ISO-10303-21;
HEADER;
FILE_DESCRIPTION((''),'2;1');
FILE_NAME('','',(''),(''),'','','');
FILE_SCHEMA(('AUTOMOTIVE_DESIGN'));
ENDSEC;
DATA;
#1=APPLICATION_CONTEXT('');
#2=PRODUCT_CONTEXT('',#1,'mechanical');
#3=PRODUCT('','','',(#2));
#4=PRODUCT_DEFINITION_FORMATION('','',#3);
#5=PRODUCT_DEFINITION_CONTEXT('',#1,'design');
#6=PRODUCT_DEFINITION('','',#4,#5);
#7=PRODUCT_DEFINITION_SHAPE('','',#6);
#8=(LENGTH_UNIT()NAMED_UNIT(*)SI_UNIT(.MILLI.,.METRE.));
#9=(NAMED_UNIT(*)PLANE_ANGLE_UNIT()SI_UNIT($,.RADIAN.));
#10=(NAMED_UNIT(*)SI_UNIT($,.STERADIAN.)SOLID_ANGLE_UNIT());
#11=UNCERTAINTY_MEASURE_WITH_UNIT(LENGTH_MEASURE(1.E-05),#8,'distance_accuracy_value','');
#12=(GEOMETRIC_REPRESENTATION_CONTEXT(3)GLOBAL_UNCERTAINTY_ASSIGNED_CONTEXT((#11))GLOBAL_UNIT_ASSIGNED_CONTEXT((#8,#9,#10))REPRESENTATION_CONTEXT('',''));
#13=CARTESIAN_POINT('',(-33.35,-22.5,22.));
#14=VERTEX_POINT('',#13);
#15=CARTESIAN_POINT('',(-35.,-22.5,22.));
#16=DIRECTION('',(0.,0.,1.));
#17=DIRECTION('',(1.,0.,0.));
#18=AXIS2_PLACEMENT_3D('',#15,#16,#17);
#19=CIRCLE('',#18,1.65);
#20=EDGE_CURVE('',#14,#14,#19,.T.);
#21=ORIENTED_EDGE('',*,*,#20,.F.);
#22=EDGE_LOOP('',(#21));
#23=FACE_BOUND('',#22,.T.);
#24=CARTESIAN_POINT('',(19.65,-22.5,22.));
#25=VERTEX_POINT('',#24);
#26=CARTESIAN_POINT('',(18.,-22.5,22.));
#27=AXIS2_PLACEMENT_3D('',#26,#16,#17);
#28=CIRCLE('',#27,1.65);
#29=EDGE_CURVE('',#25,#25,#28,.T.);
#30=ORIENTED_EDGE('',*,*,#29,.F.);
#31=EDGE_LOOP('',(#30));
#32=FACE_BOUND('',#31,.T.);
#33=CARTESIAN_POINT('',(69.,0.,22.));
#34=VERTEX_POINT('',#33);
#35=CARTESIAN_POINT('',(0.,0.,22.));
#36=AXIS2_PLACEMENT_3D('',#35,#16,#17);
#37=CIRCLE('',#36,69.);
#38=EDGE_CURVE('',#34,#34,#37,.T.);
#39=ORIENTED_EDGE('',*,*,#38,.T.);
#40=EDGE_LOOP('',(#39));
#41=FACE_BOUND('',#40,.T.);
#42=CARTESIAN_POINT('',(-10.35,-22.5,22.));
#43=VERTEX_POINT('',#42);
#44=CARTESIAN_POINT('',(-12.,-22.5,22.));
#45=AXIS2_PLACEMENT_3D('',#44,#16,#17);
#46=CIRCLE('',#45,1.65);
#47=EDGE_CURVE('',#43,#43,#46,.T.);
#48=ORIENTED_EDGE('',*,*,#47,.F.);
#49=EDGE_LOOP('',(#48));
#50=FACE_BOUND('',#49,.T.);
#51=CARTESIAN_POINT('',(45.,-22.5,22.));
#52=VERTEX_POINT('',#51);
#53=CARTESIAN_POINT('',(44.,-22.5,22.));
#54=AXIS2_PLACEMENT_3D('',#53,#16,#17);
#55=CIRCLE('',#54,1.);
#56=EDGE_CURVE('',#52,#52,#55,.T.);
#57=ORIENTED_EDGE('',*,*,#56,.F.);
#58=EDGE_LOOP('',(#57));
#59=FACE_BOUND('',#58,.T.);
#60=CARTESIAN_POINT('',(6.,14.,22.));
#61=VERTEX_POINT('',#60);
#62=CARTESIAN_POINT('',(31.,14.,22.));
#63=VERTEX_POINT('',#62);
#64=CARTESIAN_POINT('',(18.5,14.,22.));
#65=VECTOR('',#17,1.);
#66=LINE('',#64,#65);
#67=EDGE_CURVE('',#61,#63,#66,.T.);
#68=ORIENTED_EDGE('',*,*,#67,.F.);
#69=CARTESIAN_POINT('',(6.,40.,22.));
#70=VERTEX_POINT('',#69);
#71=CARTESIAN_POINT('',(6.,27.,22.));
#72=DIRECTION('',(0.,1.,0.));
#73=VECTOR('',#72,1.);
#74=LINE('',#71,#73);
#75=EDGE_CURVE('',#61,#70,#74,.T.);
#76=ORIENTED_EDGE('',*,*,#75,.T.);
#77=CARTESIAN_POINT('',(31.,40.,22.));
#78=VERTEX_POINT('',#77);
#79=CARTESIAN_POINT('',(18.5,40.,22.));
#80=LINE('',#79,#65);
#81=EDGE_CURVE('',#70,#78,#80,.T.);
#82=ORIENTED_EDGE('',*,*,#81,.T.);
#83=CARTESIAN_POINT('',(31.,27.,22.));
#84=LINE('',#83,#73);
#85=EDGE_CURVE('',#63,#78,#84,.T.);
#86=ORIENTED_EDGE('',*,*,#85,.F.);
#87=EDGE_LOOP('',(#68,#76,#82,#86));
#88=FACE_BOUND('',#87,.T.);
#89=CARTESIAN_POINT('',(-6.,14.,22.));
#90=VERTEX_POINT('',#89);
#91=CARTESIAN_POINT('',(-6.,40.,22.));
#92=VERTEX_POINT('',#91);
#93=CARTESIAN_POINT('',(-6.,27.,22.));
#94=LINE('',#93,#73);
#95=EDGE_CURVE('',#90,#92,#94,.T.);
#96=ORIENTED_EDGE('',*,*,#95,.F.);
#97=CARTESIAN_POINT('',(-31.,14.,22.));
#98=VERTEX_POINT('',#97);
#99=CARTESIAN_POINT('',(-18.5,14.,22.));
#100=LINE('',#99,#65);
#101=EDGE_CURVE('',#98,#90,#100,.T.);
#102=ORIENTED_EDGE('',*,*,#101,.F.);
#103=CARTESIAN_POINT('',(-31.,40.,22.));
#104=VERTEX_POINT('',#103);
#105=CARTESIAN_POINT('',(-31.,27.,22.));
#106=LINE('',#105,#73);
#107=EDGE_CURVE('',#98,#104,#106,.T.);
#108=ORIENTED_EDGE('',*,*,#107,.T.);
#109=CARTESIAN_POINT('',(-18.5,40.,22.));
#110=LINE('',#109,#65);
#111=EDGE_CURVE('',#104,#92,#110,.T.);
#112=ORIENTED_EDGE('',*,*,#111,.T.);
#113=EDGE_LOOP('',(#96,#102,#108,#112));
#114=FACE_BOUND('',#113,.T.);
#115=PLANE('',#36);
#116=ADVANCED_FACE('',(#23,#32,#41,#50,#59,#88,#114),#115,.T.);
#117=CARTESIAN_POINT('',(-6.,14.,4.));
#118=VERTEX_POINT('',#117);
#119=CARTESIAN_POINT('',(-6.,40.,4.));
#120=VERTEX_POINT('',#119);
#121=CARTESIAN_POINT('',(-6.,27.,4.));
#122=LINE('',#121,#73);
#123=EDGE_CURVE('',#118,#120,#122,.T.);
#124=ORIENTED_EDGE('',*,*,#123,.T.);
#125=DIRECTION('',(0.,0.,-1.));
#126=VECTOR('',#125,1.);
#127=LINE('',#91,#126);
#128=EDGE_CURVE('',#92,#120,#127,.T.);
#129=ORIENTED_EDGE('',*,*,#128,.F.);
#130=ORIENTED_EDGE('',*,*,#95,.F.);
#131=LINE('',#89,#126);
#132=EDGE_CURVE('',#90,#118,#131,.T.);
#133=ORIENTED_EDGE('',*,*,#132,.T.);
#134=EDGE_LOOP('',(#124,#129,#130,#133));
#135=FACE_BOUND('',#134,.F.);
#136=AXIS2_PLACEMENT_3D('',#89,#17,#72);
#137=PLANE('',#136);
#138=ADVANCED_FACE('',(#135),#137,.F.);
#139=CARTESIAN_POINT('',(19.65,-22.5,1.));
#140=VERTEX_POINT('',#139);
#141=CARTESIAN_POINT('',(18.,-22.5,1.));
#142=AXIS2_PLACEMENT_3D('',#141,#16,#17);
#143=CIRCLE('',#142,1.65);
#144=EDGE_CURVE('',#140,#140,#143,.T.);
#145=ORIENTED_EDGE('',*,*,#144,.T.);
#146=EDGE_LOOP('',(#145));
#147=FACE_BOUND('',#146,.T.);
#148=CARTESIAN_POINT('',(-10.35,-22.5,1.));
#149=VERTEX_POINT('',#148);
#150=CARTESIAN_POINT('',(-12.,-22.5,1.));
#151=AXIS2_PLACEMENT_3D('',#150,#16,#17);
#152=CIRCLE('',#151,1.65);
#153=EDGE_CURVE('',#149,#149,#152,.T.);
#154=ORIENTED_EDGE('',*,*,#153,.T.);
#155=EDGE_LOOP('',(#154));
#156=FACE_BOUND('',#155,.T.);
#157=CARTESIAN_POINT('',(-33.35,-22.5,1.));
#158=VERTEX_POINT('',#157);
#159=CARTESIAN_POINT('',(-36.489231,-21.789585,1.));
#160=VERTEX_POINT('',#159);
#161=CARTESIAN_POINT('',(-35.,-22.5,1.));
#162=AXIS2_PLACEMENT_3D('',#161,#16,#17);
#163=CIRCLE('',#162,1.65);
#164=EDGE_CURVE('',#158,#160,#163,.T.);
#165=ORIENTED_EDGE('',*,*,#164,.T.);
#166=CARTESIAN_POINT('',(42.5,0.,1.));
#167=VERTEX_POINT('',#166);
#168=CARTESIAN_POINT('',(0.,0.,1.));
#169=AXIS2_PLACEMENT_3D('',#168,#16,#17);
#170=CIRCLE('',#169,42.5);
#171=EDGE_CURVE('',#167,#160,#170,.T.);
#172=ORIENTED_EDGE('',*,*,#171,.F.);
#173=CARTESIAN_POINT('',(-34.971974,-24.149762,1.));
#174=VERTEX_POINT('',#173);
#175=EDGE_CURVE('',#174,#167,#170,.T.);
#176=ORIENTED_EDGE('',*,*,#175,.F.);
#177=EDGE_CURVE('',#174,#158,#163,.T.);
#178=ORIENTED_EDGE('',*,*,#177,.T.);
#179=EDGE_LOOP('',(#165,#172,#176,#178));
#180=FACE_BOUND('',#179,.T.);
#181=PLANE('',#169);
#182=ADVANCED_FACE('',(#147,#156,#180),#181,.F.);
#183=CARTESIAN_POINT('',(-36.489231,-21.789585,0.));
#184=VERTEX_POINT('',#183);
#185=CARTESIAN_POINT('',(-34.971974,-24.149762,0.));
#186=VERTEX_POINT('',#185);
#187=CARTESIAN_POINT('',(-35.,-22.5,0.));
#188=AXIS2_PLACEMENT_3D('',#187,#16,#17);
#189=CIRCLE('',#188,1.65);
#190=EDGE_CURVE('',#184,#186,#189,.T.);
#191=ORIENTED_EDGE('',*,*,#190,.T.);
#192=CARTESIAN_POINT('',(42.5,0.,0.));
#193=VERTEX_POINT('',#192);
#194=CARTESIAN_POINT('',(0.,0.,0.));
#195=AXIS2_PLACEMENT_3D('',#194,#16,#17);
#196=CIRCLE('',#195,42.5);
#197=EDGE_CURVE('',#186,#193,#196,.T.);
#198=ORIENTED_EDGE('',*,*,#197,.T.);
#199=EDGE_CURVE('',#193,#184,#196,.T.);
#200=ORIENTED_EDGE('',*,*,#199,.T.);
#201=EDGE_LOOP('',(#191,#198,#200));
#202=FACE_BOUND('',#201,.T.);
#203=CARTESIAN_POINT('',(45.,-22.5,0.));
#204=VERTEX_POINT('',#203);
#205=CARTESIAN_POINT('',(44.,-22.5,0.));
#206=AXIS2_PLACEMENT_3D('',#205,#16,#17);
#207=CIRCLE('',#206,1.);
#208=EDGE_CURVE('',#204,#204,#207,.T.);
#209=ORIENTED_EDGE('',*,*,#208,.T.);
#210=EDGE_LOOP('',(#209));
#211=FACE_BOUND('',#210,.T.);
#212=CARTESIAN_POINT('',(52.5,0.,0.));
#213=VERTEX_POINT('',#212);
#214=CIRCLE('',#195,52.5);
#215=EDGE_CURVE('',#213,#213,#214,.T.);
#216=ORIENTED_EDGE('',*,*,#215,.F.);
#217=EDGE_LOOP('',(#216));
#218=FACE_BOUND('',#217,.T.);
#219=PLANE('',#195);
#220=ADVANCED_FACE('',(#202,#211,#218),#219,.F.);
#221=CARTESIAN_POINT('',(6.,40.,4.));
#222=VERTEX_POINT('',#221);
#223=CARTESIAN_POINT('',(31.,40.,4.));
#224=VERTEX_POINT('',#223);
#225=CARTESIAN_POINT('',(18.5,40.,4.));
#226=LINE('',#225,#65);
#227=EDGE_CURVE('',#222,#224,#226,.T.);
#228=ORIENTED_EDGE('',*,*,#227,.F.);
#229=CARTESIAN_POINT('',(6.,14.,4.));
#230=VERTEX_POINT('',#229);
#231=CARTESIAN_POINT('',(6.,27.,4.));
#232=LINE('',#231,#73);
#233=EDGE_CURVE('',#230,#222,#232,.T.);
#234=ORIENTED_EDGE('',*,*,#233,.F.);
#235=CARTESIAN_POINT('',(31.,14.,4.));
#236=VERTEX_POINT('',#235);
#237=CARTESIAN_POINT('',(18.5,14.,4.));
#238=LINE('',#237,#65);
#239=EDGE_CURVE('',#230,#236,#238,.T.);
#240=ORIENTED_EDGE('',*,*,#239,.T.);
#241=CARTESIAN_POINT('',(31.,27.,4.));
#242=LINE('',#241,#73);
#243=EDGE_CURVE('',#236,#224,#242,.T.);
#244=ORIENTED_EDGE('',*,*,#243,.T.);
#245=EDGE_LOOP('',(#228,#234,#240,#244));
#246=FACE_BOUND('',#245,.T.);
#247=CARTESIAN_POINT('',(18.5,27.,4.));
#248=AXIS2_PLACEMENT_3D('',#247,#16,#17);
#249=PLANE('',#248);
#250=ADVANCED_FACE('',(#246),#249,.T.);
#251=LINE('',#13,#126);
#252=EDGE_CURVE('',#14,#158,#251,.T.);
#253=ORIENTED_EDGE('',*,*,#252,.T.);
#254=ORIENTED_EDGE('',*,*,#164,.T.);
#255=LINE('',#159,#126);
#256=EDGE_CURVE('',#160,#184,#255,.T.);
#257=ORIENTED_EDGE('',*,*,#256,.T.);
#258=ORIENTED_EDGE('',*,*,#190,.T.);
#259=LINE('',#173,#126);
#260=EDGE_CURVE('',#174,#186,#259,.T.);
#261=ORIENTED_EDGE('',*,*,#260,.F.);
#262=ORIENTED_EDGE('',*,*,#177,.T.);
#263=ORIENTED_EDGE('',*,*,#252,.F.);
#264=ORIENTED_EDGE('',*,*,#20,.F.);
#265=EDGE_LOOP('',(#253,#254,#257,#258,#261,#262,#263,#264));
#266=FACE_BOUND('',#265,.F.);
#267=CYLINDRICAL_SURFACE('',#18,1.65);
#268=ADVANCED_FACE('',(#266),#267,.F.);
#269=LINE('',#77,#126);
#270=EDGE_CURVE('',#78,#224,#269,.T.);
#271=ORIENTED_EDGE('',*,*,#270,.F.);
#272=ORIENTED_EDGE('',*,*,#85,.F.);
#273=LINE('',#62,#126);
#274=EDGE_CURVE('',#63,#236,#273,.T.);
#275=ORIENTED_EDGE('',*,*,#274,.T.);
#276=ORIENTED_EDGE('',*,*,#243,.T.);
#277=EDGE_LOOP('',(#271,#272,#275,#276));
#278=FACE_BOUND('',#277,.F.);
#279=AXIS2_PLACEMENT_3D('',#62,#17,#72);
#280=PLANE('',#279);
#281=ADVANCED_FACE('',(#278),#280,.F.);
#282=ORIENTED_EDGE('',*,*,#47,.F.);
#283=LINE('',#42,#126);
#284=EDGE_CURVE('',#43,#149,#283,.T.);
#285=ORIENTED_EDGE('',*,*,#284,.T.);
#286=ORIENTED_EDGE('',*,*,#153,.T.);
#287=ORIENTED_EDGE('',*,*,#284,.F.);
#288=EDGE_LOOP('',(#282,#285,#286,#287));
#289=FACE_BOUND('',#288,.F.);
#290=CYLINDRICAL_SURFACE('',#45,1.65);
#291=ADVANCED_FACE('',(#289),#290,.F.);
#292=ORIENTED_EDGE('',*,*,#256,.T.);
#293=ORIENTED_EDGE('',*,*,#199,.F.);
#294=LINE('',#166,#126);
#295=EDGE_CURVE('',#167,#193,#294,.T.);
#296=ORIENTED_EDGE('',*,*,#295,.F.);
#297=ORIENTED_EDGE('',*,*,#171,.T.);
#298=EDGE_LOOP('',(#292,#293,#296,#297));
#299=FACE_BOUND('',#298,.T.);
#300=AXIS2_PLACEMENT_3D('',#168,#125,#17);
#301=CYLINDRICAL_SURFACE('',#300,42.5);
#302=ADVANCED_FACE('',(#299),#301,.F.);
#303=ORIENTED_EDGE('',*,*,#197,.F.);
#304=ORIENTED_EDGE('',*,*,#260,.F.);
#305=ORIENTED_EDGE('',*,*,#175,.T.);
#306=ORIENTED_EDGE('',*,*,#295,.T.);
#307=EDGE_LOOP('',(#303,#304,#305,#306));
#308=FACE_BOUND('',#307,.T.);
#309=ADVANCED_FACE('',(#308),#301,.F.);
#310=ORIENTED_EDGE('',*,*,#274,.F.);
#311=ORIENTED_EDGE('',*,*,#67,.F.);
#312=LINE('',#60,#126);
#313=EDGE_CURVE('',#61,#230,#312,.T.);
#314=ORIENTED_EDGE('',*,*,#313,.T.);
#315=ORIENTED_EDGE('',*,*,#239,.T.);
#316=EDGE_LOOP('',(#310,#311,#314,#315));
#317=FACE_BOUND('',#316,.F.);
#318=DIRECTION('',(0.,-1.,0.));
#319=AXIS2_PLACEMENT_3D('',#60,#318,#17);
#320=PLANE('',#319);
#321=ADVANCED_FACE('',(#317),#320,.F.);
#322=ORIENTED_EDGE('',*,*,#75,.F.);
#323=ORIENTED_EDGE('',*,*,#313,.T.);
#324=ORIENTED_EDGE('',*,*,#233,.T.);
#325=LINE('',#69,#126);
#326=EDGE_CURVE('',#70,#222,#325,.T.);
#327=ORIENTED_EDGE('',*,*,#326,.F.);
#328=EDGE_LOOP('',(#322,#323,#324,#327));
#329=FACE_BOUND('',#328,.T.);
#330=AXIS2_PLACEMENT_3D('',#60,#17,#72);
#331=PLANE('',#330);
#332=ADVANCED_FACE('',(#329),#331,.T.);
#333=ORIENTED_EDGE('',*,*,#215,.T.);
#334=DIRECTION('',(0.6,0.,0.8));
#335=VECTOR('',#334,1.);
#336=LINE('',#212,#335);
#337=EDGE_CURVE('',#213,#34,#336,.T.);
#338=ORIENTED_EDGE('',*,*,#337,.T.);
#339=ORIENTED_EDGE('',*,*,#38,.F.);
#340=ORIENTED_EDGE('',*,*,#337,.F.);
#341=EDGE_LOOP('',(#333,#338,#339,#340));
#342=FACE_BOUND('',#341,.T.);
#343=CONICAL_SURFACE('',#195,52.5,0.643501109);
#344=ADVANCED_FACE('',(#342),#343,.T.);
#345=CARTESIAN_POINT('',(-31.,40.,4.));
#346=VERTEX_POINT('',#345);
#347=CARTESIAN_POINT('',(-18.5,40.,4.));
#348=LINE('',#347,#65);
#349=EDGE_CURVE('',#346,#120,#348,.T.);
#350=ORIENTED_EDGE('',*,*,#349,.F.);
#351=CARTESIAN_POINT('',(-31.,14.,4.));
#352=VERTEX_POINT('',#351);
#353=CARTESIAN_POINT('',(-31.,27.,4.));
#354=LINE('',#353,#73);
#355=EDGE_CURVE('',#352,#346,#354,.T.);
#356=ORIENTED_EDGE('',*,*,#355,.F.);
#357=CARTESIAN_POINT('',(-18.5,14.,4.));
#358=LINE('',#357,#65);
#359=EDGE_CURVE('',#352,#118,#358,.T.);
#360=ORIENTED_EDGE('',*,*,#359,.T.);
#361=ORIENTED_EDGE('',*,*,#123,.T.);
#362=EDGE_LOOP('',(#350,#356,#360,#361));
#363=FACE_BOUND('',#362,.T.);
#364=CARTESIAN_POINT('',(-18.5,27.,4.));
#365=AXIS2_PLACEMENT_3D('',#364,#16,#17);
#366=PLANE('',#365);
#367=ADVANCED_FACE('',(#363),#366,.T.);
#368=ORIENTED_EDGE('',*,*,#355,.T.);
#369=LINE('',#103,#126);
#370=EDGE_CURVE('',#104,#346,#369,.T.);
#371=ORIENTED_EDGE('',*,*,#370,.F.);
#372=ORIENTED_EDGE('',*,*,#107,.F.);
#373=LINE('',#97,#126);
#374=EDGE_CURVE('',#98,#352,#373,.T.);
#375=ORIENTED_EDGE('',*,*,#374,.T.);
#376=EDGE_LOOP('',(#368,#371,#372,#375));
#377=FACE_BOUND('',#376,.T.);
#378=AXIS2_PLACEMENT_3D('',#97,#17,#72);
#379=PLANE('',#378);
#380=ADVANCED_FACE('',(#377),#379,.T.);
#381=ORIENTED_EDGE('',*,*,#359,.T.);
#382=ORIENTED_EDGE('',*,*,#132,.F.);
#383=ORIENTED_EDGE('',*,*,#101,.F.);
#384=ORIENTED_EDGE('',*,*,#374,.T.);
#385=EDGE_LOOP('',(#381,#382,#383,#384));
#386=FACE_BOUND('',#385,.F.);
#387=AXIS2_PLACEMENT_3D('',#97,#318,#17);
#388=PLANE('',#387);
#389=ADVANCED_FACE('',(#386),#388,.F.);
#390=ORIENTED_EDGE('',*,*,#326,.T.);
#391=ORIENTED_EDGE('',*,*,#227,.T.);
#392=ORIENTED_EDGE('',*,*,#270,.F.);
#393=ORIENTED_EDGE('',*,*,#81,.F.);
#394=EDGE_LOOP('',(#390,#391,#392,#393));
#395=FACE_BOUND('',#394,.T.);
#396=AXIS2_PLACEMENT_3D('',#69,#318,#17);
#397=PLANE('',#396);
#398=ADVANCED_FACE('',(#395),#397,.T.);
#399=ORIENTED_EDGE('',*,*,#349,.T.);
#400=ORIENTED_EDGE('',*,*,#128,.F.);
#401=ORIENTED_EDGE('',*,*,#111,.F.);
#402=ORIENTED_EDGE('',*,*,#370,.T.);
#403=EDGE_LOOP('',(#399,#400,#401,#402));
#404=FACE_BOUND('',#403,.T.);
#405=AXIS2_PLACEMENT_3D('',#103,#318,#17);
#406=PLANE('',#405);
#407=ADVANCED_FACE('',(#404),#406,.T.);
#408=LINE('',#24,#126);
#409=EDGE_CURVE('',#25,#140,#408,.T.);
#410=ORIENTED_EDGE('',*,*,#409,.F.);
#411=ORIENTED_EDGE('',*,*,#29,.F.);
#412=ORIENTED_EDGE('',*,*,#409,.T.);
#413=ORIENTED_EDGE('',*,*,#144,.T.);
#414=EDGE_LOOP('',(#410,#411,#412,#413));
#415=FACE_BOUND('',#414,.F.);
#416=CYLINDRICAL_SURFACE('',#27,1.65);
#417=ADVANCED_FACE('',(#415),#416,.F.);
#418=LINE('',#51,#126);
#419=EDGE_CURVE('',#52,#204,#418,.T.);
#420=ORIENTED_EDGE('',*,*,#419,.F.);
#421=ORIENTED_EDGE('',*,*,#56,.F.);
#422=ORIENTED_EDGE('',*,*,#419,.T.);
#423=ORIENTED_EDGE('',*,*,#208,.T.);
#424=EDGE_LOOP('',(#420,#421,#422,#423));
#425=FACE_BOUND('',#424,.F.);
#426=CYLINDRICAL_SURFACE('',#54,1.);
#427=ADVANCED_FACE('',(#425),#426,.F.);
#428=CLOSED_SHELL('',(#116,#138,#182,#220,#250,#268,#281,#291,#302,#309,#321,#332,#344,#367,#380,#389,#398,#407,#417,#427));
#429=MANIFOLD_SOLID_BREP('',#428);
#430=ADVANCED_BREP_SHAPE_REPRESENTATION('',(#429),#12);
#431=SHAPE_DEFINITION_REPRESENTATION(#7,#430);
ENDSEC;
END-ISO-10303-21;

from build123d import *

# Parameters (mm, degrees)
F2_R     = 1.65
F2_R_2   = 1
F3_DEPTH = 25
F4_W     = 25
F4_H     = 26
F5_DEPTH = 18


with BuildPart() as f1:
    # F0 (on Front) → F1 (revolve)
    with BuildSketch(Plane.XZ):
        Polygon((0, 22), (0, 1), (42.5, 1), (42.5, 0), (52.5, 0), (69, 22), align=None)
    revolve(axis=Axis((0, 0, 11.5), (0, 0, 1)))

    # F2 (on face) → F3 (cut)
    with BuildSketch(Plane.XY.offset(22)):
        with Locations((-35, -22.5)):
            Circle(F2_R)
        with Locations((-12, -22.5)):
            Circle(F2_R)
        with Locations((18, -22.5)):
            Circle(F2_R)
        with Locations((44, -22.5)):
            Circle(F2_R_2)
    extrude(amount=-F3_DEPTH, mode=Mode.SUBTRACT)

    # F4 (on face) → F5 (cut)
    with BuildSketch(Plane.XY.offset(22)):
        with Locations((-18.5, 27)):
            Rectangle(F4_W, F4_H)
        with Locations((18.5, 27)):
            Rectangle(F4_W, F4_H)
    extrude(amount=-F5_DEPTH, mode=Mode.SUBTRACT)


solid = f1.part
